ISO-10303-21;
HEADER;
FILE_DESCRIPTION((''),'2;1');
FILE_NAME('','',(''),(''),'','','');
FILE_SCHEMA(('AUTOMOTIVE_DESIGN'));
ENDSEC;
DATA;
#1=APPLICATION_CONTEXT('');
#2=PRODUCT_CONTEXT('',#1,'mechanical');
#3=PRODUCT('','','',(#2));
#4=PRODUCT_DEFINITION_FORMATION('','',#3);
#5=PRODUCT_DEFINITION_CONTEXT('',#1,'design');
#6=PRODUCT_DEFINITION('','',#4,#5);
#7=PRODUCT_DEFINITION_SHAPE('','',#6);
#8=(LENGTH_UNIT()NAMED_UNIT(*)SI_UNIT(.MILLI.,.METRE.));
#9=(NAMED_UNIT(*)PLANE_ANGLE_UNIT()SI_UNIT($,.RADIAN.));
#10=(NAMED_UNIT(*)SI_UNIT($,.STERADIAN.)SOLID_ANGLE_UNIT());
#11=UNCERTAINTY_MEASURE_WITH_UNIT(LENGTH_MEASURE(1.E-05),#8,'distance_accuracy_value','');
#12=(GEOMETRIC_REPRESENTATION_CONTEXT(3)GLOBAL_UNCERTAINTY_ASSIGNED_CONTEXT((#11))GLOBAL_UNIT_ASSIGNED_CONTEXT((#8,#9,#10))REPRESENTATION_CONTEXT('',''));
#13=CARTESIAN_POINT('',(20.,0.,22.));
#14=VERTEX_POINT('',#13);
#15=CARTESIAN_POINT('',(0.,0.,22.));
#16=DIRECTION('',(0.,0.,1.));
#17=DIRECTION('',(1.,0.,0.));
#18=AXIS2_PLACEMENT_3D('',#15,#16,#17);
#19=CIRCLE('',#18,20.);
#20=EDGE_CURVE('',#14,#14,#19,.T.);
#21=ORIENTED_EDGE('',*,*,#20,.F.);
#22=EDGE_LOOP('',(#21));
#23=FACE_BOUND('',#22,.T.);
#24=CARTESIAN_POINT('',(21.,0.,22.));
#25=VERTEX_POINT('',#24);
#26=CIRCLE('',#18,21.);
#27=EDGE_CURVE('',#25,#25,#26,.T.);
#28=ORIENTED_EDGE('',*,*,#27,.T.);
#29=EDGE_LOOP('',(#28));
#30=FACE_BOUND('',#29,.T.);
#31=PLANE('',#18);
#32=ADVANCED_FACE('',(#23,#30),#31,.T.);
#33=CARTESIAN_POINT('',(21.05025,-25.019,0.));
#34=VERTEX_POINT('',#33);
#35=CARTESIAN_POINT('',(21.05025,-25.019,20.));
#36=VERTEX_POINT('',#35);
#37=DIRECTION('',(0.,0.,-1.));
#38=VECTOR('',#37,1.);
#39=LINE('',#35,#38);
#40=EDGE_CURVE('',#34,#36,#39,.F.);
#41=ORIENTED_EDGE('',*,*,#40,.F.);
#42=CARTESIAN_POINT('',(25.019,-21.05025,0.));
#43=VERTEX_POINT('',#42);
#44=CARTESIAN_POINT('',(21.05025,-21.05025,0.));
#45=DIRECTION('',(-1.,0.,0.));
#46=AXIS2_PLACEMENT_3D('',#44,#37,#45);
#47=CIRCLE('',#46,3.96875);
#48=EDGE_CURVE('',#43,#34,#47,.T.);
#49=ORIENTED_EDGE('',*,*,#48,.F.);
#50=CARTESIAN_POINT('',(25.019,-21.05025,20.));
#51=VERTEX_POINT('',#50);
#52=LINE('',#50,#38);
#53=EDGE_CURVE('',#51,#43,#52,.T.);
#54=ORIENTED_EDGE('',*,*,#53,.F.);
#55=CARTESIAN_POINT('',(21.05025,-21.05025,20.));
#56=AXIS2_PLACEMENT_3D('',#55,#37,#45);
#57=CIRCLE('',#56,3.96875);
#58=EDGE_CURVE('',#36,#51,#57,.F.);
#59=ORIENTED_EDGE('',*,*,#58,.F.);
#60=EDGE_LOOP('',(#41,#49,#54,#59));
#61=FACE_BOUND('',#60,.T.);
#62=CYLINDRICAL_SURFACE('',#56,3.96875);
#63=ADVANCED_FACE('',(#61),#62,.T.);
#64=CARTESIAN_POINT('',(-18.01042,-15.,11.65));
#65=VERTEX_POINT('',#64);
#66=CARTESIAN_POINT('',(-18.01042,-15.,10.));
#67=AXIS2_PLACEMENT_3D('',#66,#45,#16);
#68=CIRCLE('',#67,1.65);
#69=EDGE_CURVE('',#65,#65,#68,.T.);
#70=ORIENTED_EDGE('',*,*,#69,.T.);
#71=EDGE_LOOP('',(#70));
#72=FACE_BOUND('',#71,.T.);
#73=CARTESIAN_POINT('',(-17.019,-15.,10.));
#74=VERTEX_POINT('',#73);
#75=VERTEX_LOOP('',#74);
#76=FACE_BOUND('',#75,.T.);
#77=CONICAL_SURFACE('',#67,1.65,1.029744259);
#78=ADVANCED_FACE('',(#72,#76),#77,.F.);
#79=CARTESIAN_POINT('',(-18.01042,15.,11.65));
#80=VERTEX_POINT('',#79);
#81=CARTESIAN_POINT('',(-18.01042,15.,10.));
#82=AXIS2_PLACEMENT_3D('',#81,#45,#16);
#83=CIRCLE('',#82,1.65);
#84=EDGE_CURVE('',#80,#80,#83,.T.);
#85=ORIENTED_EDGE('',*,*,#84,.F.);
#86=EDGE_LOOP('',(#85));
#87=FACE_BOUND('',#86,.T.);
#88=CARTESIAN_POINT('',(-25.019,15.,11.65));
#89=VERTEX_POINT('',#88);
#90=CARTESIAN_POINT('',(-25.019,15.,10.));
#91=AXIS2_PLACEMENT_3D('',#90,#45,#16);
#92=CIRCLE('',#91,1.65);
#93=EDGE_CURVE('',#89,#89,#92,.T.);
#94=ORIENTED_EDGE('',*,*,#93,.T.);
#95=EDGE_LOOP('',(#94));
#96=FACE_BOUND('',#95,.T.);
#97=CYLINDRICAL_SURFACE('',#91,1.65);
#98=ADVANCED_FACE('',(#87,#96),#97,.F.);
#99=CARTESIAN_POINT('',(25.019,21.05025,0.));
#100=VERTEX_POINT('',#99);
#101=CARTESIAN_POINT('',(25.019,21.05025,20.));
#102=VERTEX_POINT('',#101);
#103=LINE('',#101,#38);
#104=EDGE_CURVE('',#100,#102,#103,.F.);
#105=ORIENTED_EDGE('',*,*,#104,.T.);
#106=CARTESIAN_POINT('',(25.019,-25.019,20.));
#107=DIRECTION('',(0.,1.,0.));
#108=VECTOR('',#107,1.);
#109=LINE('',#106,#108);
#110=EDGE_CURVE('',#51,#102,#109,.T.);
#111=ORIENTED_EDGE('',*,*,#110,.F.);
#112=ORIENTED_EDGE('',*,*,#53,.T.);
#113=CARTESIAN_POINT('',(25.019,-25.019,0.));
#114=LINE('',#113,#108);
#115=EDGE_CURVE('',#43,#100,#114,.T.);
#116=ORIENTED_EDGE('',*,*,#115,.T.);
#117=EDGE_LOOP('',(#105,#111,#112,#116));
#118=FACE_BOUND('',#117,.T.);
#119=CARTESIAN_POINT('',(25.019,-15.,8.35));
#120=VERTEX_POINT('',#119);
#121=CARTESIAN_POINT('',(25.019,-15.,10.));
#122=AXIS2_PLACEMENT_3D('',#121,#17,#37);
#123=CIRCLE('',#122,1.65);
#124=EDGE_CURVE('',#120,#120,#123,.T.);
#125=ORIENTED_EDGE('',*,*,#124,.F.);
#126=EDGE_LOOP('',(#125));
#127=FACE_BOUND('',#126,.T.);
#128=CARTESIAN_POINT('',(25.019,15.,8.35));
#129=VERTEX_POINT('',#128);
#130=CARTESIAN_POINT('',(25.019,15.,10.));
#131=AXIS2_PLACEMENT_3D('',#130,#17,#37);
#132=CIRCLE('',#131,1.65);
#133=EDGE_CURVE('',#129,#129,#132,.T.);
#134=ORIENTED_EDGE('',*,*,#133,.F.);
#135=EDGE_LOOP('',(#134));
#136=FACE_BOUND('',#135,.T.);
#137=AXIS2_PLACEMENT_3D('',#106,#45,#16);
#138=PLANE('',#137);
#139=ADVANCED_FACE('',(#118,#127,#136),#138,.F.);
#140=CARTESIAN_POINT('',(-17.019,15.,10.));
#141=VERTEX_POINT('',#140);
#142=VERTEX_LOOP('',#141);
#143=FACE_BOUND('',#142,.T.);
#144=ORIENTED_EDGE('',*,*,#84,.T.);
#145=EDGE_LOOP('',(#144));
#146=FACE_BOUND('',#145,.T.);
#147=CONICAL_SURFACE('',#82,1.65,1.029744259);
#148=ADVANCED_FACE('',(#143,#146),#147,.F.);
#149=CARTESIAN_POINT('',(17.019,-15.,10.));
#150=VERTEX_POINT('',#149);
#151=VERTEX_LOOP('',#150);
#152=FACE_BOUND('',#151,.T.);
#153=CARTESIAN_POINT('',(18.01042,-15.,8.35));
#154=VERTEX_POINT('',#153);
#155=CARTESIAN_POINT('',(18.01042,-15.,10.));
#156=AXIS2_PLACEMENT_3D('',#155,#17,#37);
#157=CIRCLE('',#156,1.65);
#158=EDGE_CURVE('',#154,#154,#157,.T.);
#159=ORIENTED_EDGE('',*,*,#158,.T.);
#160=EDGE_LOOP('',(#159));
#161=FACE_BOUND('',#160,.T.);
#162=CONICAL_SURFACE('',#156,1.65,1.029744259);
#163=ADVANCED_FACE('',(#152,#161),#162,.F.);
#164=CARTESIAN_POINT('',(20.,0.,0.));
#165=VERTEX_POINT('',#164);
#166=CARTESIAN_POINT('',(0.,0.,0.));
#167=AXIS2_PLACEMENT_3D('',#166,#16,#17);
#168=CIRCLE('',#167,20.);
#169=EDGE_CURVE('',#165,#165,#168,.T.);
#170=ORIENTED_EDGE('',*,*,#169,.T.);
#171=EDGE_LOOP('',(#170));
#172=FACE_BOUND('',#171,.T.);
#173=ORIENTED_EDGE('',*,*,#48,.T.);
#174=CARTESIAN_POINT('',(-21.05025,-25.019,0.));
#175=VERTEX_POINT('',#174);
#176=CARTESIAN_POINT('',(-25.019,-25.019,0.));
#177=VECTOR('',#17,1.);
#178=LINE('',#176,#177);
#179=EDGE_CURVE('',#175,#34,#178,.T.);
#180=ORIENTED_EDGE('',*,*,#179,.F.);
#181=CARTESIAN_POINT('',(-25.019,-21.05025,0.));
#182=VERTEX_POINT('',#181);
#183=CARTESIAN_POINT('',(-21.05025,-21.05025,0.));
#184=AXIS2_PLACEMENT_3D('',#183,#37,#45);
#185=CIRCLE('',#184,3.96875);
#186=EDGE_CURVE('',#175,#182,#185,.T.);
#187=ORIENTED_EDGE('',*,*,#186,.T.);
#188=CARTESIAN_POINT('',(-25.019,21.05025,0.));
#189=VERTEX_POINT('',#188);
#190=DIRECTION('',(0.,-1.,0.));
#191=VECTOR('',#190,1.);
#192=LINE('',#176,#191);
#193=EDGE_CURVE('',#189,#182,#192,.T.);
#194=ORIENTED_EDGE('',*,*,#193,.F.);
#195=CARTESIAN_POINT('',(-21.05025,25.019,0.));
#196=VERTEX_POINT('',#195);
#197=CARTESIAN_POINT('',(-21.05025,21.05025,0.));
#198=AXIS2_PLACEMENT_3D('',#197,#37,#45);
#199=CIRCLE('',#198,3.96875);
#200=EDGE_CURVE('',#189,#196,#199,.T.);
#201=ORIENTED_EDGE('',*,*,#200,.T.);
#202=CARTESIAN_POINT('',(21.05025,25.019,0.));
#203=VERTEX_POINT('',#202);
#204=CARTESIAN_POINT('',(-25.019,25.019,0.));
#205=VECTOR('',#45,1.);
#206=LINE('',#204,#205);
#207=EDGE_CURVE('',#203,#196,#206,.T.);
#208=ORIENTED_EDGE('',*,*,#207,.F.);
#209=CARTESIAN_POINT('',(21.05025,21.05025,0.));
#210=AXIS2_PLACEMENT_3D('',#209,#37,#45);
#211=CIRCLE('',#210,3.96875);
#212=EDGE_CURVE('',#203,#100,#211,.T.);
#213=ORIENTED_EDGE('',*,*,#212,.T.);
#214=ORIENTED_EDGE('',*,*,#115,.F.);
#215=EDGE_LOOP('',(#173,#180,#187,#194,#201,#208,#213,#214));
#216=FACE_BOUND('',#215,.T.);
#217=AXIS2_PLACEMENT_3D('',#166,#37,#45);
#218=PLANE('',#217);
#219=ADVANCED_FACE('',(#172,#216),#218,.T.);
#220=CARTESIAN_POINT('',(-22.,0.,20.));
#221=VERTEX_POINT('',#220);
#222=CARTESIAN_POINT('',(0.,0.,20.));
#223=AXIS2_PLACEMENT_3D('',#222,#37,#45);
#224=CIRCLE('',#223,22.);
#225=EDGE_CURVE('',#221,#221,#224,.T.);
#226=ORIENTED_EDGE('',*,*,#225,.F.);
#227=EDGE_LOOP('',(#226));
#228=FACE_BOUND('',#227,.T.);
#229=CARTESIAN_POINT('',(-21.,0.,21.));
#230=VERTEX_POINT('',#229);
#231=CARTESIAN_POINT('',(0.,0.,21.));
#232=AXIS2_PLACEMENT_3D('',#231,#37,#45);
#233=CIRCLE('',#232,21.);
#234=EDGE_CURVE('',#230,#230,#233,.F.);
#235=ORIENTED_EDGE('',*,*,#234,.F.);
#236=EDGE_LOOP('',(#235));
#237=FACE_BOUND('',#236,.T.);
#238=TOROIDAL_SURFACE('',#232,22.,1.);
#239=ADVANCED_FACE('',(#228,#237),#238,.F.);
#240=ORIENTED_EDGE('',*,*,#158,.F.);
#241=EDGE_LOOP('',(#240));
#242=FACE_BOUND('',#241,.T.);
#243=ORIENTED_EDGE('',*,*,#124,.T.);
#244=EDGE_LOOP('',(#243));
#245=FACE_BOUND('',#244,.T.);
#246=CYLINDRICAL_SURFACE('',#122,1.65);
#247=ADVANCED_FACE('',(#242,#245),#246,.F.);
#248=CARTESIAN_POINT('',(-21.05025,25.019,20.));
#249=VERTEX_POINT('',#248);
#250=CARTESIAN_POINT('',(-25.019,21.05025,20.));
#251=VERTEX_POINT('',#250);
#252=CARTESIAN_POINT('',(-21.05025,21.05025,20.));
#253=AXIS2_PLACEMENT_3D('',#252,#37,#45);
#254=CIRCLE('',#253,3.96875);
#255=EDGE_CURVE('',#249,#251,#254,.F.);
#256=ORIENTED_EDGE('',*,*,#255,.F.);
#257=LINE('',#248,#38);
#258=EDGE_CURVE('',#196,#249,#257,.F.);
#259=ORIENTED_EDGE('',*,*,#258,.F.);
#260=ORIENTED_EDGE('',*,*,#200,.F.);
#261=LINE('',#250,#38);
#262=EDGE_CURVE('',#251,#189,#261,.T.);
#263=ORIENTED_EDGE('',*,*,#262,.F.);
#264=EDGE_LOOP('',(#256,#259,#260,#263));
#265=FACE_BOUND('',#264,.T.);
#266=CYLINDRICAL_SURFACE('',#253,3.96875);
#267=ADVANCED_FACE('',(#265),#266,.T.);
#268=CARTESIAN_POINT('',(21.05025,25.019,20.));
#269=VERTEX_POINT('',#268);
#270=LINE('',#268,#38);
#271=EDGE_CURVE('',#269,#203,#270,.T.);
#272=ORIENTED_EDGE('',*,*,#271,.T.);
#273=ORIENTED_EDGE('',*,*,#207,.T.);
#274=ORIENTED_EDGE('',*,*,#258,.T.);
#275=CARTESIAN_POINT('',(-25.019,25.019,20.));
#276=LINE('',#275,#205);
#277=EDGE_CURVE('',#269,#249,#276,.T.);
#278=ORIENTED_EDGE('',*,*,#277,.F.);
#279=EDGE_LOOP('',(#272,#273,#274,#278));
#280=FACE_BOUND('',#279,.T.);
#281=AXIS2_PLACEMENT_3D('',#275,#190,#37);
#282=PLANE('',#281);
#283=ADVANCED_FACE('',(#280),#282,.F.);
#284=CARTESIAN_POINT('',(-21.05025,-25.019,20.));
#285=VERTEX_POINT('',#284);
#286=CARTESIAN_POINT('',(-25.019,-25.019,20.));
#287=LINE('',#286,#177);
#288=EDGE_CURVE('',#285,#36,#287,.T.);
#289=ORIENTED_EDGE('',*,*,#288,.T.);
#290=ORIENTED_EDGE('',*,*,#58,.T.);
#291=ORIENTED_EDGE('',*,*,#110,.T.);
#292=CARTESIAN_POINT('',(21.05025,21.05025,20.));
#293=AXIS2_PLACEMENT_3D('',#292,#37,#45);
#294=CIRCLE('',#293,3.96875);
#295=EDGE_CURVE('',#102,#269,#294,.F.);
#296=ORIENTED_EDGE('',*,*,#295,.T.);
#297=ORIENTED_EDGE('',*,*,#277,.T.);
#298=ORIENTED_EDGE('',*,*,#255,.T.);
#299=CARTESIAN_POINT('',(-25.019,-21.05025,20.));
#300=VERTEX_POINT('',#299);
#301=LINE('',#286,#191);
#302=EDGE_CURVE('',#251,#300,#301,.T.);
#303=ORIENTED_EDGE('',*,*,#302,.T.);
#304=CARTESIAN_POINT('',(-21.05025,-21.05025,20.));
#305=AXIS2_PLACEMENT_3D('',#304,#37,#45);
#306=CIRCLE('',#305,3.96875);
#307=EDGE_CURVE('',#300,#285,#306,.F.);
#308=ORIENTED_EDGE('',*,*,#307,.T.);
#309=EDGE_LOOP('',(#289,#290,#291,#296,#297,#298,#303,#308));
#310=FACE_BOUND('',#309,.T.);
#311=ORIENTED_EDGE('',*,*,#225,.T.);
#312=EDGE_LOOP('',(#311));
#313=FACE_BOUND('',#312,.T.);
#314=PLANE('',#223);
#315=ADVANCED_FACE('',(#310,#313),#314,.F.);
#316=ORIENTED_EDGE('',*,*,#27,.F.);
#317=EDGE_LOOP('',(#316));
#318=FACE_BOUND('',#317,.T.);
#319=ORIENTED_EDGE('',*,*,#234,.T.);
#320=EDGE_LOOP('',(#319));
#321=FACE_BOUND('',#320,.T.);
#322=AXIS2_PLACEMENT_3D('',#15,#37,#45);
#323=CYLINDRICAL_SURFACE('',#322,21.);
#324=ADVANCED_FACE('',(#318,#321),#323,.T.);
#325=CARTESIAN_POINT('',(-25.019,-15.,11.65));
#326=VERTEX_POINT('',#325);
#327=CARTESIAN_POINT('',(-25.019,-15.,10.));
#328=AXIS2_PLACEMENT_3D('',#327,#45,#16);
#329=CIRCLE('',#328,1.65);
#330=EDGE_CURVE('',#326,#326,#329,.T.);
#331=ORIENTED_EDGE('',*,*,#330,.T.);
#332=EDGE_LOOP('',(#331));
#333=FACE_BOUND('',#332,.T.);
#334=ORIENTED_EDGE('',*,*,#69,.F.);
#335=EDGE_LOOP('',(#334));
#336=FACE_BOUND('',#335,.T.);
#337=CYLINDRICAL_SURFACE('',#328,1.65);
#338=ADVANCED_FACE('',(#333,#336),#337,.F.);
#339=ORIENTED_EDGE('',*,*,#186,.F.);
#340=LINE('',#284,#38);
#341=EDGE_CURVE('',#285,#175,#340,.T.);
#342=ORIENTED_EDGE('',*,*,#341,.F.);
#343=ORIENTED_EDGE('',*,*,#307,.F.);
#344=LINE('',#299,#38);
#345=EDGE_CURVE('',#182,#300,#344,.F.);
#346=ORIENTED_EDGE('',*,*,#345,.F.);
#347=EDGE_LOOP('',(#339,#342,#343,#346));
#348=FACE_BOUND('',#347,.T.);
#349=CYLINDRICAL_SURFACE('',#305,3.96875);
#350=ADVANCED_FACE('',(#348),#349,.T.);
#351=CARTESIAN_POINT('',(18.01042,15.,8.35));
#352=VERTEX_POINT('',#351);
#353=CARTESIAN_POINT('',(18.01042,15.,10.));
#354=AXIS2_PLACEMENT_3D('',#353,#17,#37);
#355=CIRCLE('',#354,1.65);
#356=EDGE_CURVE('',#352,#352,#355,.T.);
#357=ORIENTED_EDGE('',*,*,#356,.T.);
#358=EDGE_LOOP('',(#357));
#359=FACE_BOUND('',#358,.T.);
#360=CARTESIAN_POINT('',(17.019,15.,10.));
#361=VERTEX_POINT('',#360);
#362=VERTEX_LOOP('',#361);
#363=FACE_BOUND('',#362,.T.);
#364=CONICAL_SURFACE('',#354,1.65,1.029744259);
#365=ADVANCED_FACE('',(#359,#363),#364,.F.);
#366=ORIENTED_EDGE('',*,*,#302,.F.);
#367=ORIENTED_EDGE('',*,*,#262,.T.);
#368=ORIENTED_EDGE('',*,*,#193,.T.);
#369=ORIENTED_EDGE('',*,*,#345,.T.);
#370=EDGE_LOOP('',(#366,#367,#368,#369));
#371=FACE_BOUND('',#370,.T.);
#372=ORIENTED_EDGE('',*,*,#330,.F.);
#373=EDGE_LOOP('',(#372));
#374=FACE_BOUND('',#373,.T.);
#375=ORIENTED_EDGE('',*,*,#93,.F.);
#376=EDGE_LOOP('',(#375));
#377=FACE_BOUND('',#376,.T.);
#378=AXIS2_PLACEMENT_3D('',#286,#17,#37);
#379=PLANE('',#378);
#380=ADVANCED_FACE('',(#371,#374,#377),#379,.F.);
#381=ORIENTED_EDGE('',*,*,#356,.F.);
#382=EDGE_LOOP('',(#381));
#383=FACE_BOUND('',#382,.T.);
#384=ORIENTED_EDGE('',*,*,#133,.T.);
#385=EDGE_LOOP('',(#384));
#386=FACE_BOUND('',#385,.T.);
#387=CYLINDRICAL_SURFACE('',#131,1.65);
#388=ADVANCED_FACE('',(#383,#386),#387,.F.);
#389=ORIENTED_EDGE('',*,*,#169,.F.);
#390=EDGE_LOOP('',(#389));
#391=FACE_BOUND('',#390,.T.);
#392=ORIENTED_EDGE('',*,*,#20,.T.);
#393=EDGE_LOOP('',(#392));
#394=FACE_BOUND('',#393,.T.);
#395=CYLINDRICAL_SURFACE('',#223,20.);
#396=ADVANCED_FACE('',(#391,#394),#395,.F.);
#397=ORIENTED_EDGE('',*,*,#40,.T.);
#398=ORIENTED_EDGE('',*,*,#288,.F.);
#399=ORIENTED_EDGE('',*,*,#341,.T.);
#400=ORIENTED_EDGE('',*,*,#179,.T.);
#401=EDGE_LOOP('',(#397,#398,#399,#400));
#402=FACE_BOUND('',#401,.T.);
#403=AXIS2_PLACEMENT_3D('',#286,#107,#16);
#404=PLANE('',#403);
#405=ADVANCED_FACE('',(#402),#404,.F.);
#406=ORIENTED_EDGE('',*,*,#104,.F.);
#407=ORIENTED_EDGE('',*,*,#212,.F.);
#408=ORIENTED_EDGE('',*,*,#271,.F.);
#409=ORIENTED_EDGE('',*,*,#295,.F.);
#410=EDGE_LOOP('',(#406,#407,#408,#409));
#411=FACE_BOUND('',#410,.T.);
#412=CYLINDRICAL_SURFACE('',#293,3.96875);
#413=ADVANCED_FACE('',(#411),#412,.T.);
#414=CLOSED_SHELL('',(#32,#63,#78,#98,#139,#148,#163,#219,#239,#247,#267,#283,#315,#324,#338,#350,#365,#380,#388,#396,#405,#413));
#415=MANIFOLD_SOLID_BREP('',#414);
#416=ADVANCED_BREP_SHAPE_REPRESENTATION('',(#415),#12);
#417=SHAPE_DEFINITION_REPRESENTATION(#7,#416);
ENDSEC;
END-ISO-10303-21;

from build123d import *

# Parameters (mm, degrees)
SKETCH1_W                      = 50.038
SKETCH1_H                      = 50.038
SKETCH1_R                      = 20
BOSS_EXTRUDE1_DEPTH            = 20
FILLET1_R                      = 3.96875
M4X0_7_TAPPED_HOLE2_AT_2_COUNT = 2
M4X0_7_TAPPED_HOLE2_AT_2_PITCH = 30
SKETCH6_R                      = 21
SKETCH6_R_2                    = 20
BOSS_EXTRUDE2_DEPTH            = 2
FILLET2_R                      = 1


with BuildPart() as part:
    # Sketch1 → Boss-Extrude1 (new body)
    with BuildSketch(Plane.XY):
        Rectangle(SKETCH1_W, SKETCH1_H)
        Circle(SKETCH1_R, mode=Mode.SUBTRACT)
    extrude(amount=BOSS_EXTRUDE1_DEPTH)

    # Fillet1
    fillet1_edges = [part.edges().sort_by_distance(p)[0] for p in [
        (25.019, -25.019, 10),
        (-25.019, -25.019, 10),
        (-25.019, 25.019, 10),
        (25.019, 25.019, 10),
    ]]
    fillet(fillet1_edges, radius=FILLET1_R)

    # Sketch5 → M4x0.7 Tapped Hole2 (revolve, cut)
    with BuildSketch(Plane(origin=(-25.019, 15, 10), x_dir=(0, 0, 1), z_dir=(0, 1, 0))):
        Polygon((0, 0), (0, 8), (1.65, 7.008579979), (1.65, 0), align=None)
    m4x0_7_tapped_hole2 = revolve(axis=Axis((-31.369, 15, 10), (1, 0, 0)), mode=Mode.SUBTRACT)

    # M4x0.7 Tapped Hole2 at 2: M4x0.7 Tapped Hole2 ×2
    with Locations(*[(0, -i * M4X0_7_TAPPED_HOLE2_AT_2_PITCH, 0) for i in range(1, M4X0_7_TAPPED_HOLE2_AT_2_COUNT)]):
        add(m4x0_7_tapped_hole2, mode=Mode.SUBTRACT)

    # Mirror1: M4x0.7 Tapped Hole2 across plane
    add(m4x0_7_tapped_hole2.mirror(Plane(origin=(0, 0, 0), x_dir=(0, 0, 1), z_dir=(1, 0, 0))), mode=Mode.SUBTRACT)

    # Mirror1 copy 1 sketch → Mirror1 copy 1 (revolve, cut)
    with BuildSketch(Plane(origin=(25.019, -15, 10), x_dir=(0, 0, 1), z_dir=(0, 1, 0))):
        Polygon((0, 0), (0, -8), (1.65, -7.008579979), (1.65, 0), align=None)
    revolve(axis=Axis((31.369, -15, 10), (1, 0, 0)), mode=Mode.SUBTRACT)

    # Sketch6 → Boss-Extrude2 (add)
    with BuildSketch(Plane.XY.offset(20)):
        Circle(SKETCH6_R)
        Circle(SKETCH6_R_2, mode=Mode.SUBTRACT)
    extrude(amount=BOSS_EXTRUDE2_DEPTH)

    # Fillet2
    fillet2_edges = [part.edges().sort_by_distance(p)[0] for p in [
        (-21, 0, 20),
    ]]
    fillet(fillet2_edges, radius=FILLET2_R)


solid = part.part
